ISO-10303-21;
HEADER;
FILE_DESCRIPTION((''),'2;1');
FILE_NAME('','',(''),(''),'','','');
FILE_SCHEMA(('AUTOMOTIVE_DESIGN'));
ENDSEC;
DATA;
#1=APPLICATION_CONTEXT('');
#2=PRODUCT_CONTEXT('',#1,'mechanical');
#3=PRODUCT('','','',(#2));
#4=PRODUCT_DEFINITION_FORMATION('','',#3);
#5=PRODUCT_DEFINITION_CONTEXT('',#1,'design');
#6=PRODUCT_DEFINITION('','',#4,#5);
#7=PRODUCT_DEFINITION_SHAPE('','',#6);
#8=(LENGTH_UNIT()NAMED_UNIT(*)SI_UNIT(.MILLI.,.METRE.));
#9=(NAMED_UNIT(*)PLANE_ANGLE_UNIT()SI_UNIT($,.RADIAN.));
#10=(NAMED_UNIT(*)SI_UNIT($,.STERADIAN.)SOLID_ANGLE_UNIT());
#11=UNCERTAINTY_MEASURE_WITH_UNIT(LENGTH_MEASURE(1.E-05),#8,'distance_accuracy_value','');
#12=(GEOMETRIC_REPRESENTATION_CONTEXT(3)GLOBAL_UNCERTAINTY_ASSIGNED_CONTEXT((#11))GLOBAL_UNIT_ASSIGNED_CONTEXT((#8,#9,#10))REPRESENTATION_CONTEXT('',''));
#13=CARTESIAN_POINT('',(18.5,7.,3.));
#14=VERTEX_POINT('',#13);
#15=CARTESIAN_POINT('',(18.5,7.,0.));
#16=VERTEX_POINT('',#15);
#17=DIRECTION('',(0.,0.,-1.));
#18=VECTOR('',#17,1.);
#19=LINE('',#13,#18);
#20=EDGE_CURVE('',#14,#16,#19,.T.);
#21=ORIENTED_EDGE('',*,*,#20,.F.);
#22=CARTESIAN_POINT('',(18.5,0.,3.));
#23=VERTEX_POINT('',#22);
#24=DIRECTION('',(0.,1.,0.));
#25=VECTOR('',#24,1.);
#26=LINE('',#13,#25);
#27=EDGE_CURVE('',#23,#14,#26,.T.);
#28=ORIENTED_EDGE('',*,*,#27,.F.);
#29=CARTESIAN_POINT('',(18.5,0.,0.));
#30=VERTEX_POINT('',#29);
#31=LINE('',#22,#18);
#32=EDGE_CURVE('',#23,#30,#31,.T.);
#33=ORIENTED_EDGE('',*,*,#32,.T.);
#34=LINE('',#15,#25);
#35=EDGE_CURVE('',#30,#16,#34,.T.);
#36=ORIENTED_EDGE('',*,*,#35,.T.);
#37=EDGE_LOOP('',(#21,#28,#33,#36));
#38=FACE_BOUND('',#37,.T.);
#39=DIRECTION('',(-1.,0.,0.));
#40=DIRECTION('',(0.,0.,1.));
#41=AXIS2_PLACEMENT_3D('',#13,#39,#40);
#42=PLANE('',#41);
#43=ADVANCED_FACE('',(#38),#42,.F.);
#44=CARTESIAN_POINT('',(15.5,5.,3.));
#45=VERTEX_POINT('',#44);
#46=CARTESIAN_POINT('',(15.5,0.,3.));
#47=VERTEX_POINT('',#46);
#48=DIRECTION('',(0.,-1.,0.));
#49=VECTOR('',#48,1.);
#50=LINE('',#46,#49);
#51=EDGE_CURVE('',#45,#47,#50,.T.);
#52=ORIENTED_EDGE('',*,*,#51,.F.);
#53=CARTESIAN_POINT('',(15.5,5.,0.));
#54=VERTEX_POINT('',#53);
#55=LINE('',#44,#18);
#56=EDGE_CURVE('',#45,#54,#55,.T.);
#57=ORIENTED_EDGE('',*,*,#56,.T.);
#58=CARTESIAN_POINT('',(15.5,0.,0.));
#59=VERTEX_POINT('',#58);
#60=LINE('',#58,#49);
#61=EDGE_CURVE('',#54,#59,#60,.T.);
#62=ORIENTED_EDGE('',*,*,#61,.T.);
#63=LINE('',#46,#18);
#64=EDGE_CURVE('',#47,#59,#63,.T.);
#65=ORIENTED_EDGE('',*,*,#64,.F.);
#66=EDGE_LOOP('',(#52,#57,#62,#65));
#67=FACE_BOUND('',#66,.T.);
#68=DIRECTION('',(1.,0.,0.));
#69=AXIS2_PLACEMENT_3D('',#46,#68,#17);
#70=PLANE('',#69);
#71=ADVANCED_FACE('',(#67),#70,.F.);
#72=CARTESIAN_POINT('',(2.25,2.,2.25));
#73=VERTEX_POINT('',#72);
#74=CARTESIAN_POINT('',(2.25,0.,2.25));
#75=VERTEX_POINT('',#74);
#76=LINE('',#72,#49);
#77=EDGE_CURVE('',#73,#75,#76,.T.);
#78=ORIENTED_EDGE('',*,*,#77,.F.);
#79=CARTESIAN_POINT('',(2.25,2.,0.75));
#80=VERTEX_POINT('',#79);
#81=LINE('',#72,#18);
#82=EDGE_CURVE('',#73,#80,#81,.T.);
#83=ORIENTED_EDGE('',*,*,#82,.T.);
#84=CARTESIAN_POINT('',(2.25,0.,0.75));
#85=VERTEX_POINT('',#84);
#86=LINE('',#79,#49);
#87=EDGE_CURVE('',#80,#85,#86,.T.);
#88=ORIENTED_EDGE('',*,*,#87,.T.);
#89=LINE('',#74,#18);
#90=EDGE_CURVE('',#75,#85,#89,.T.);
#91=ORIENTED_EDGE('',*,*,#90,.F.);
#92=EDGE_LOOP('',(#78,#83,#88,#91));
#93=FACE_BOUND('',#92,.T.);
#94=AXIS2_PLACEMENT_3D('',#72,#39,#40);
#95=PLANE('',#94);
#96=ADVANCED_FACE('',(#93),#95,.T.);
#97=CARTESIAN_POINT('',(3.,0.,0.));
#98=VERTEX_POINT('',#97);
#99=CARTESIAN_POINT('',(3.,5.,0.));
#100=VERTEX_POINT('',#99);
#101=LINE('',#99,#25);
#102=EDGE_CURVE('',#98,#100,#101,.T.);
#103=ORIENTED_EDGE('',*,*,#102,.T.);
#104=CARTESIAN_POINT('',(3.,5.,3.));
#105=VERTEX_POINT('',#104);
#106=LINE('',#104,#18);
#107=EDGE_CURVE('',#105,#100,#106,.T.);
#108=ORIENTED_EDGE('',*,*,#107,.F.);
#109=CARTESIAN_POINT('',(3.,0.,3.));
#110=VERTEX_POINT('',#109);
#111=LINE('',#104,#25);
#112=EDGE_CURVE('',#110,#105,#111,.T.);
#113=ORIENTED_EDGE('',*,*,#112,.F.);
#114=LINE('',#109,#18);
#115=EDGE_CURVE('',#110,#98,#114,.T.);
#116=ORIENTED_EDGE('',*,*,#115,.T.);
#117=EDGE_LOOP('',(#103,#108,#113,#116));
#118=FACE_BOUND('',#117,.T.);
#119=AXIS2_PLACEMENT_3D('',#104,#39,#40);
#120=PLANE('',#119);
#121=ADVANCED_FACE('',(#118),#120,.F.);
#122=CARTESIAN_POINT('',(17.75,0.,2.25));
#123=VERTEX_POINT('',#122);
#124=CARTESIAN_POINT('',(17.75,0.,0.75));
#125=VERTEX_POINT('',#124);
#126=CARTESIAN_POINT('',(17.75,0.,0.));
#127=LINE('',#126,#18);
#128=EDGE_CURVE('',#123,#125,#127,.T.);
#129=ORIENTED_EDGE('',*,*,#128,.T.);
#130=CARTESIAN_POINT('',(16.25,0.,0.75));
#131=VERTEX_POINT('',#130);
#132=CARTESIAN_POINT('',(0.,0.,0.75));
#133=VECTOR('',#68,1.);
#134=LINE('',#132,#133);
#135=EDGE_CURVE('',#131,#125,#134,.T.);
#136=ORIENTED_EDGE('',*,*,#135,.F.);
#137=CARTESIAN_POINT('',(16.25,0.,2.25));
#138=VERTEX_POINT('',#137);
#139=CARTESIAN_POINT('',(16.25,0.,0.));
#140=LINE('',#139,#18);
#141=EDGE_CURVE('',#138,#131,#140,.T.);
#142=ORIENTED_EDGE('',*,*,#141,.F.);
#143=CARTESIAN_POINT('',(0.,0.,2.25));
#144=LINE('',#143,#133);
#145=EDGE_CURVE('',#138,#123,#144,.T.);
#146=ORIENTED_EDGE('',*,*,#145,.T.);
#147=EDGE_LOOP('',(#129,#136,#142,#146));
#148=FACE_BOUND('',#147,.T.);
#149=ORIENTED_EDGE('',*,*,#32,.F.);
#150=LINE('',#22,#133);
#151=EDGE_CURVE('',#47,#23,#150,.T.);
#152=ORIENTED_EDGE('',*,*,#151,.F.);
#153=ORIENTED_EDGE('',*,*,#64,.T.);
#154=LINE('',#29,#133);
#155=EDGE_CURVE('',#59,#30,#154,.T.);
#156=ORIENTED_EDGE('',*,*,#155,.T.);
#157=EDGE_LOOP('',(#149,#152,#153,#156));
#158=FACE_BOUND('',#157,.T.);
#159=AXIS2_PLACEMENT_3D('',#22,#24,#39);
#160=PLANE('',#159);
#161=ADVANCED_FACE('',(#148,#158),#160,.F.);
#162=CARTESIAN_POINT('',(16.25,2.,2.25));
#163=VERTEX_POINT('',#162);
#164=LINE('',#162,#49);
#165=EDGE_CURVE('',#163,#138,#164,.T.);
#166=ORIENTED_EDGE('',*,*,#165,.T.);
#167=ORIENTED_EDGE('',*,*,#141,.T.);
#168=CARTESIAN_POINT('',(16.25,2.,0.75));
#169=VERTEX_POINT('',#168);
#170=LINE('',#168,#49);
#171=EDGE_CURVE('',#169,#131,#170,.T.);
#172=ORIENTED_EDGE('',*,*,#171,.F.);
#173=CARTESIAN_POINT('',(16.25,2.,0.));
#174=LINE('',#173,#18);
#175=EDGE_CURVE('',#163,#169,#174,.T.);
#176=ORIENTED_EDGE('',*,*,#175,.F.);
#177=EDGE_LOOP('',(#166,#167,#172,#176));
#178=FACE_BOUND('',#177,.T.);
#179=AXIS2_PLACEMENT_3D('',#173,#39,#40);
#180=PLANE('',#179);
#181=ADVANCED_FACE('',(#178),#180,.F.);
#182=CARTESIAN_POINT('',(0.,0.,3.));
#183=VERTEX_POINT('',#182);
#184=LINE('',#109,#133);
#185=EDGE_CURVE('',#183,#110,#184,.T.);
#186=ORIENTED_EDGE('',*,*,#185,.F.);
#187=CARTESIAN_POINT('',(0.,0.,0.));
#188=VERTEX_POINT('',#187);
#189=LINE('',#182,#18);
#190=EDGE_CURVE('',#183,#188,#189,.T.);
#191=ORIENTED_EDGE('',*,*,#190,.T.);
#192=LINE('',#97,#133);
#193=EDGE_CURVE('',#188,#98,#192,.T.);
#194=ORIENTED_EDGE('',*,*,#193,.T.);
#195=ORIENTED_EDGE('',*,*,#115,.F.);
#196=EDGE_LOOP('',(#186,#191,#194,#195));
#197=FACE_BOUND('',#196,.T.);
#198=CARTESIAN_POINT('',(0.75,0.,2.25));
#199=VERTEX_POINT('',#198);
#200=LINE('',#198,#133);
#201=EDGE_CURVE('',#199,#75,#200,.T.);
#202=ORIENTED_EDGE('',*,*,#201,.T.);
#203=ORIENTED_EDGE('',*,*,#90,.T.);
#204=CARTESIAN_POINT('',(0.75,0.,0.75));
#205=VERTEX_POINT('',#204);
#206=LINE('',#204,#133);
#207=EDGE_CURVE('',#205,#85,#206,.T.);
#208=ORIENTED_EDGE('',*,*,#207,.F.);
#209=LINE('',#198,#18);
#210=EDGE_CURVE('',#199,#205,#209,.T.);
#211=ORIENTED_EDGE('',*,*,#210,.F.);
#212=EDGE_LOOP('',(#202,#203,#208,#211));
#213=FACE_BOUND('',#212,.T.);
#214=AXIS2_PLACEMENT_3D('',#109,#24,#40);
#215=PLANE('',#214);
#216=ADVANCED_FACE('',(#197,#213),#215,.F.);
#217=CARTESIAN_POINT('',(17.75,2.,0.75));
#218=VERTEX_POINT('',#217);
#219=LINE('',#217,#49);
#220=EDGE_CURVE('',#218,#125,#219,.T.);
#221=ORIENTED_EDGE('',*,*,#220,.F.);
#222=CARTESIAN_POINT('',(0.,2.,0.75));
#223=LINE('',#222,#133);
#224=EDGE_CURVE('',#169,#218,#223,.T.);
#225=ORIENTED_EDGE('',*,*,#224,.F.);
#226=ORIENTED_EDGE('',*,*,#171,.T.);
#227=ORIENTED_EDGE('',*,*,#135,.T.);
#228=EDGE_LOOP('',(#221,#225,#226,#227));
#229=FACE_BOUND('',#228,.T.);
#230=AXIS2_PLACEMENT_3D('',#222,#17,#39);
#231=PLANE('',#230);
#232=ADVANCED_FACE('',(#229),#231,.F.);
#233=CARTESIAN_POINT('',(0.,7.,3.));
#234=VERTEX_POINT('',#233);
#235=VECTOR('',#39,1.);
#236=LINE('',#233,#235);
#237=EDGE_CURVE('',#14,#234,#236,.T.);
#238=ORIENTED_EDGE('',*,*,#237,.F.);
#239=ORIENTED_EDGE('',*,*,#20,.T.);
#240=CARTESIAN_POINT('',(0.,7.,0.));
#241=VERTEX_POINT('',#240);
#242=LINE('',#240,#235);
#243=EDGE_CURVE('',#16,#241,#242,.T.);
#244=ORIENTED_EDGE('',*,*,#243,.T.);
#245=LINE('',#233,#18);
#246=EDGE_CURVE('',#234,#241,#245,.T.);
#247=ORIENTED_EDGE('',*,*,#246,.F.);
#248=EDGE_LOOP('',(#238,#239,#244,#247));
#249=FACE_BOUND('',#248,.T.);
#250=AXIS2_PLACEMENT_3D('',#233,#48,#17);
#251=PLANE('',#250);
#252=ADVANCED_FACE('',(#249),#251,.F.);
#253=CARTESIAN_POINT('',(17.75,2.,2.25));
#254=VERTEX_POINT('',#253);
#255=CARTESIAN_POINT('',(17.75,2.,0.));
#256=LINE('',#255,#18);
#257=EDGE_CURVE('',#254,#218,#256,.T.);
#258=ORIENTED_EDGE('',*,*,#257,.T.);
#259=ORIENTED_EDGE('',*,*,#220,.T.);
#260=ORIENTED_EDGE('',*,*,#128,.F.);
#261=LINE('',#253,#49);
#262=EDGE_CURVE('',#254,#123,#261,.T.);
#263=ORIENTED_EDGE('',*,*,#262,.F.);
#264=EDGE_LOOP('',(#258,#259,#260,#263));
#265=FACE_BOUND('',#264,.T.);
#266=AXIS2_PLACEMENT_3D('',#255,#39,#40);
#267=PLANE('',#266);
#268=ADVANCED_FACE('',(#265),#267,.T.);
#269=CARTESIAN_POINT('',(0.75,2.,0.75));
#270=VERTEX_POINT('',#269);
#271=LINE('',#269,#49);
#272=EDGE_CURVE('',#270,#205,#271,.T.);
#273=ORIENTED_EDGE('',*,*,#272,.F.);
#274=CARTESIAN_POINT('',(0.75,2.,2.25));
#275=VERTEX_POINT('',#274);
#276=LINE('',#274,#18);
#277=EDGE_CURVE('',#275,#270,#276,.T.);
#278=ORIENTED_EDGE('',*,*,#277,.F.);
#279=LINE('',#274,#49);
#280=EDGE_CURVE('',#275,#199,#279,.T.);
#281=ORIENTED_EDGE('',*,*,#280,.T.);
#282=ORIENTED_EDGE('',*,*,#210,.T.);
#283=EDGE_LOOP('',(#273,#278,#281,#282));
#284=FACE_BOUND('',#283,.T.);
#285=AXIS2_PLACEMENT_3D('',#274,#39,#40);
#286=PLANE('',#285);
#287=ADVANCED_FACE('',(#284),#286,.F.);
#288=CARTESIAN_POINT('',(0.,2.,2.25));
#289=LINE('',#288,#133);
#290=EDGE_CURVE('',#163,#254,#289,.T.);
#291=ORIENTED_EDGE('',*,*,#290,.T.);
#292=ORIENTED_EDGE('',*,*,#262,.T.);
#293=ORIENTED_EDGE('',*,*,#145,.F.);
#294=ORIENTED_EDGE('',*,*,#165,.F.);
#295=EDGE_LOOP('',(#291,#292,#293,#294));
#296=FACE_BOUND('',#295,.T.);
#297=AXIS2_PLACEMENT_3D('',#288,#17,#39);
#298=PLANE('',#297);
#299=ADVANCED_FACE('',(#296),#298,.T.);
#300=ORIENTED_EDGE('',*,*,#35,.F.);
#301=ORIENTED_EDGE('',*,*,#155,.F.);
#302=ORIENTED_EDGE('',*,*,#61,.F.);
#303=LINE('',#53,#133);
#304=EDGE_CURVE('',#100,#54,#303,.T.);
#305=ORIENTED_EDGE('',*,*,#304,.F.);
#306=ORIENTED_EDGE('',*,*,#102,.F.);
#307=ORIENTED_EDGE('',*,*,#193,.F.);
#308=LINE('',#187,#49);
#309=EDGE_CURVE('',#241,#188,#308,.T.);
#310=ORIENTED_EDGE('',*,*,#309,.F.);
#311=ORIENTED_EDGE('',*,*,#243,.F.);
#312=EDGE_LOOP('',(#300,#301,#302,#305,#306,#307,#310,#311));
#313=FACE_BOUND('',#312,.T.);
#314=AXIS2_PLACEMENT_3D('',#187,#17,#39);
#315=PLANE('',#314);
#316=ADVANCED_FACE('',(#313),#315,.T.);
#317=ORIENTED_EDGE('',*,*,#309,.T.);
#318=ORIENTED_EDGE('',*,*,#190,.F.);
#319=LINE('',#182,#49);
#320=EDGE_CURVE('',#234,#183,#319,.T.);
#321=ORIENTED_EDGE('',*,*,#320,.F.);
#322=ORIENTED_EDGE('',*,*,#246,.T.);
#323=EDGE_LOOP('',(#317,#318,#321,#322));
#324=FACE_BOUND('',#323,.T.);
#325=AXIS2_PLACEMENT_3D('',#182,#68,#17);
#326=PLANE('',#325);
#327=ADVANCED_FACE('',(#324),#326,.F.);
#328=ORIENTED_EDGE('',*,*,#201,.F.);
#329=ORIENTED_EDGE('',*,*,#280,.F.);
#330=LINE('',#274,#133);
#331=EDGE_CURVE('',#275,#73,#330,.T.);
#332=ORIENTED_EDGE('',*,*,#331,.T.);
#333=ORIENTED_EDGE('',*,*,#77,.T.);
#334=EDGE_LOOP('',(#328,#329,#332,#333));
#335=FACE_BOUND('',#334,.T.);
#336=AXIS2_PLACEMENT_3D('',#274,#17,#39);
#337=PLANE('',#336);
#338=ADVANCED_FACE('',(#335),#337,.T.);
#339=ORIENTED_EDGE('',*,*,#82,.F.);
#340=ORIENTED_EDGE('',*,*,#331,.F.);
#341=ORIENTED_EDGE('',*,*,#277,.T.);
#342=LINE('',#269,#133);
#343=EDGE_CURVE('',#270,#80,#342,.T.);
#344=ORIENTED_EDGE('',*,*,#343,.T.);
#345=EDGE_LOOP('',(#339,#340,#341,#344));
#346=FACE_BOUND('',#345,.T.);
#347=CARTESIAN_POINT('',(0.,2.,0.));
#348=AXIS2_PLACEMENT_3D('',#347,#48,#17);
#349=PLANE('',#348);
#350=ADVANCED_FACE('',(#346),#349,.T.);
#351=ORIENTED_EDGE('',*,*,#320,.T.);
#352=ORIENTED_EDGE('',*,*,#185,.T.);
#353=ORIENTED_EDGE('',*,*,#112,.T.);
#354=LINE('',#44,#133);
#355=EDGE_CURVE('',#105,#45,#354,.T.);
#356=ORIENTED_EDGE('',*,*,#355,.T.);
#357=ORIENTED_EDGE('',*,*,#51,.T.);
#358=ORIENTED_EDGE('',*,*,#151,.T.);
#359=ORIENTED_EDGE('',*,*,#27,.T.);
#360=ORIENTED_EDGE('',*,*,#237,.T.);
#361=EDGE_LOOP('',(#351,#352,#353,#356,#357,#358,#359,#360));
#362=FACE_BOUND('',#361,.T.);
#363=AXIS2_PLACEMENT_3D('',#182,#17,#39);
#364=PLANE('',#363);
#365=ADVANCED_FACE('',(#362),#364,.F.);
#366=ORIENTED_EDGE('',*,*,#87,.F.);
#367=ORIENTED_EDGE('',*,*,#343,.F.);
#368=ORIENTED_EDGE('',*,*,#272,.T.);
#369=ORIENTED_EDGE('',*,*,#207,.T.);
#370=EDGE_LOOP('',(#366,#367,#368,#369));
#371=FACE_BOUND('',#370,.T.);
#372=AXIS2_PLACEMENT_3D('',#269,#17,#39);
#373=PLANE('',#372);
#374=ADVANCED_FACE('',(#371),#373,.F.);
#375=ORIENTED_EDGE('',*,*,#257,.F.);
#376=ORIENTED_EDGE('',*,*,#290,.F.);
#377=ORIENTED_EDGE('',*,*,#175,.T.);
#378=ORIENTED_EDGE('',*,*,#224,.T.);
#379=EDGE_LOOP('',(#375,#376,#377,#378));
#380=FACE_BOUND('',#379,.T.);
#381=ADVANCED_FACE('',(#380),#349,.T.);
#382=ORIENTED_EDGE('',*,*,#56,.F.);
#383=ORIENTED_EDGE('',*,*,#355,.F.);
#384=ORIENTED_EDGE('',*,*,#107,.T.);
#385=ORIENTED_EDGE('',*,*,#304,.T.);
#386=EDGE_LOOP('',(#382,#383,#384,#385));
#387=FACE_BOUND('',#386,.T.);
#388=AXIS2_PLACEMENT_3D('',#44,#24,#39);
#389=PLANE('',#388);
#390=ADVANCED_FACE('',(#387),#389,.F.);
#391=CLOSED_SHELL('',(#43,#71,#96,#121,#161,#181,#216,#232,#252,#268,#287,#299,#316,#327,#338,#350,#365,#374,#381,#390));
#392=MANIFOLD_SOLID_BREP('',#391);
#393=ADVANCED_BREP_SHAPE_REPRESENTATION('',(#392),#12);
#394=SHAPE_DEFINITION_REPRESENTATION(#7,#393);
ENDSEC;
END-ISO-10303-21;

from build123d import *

# Parameters (mm, degrees)
BOSS_EXTRUDE1_DEPTH = 3
SKETCH2_W           = 1.5
SKETCH2_H           = 1.5
CUT_EXTRUDE1_DEPTH  = 2


with BuildPart() as part:
    # Sketch1 → Boss-Extrude1 (new body)
    with BuildSketch(Plane.XY):
        Polygon((0, 0), (0, 7), (18.5, 7), (18.5, 0), (15.5, 0), (15.5, 5), (3, 5), (3, 0), align=None)
    extrude(amount=BOSS_EXTRUDE1_DEPTH)

    # Sketch2 → Cut-Extrude1 (cut)
    with BuildSketch(Plane.XZ):
        with Locations((17, 1.5)):
            Rectangle(SKETCH2_W, SKETCH2_H)
        with Locations((1.5, 1.5)):
            Rectangle(SKETCH2_W, SKETCH2_H)
    extrude(amount=-CUT_EXTRUDE1_DEPTH, mode=Mode.SUBTRACT)


solid = part.part
